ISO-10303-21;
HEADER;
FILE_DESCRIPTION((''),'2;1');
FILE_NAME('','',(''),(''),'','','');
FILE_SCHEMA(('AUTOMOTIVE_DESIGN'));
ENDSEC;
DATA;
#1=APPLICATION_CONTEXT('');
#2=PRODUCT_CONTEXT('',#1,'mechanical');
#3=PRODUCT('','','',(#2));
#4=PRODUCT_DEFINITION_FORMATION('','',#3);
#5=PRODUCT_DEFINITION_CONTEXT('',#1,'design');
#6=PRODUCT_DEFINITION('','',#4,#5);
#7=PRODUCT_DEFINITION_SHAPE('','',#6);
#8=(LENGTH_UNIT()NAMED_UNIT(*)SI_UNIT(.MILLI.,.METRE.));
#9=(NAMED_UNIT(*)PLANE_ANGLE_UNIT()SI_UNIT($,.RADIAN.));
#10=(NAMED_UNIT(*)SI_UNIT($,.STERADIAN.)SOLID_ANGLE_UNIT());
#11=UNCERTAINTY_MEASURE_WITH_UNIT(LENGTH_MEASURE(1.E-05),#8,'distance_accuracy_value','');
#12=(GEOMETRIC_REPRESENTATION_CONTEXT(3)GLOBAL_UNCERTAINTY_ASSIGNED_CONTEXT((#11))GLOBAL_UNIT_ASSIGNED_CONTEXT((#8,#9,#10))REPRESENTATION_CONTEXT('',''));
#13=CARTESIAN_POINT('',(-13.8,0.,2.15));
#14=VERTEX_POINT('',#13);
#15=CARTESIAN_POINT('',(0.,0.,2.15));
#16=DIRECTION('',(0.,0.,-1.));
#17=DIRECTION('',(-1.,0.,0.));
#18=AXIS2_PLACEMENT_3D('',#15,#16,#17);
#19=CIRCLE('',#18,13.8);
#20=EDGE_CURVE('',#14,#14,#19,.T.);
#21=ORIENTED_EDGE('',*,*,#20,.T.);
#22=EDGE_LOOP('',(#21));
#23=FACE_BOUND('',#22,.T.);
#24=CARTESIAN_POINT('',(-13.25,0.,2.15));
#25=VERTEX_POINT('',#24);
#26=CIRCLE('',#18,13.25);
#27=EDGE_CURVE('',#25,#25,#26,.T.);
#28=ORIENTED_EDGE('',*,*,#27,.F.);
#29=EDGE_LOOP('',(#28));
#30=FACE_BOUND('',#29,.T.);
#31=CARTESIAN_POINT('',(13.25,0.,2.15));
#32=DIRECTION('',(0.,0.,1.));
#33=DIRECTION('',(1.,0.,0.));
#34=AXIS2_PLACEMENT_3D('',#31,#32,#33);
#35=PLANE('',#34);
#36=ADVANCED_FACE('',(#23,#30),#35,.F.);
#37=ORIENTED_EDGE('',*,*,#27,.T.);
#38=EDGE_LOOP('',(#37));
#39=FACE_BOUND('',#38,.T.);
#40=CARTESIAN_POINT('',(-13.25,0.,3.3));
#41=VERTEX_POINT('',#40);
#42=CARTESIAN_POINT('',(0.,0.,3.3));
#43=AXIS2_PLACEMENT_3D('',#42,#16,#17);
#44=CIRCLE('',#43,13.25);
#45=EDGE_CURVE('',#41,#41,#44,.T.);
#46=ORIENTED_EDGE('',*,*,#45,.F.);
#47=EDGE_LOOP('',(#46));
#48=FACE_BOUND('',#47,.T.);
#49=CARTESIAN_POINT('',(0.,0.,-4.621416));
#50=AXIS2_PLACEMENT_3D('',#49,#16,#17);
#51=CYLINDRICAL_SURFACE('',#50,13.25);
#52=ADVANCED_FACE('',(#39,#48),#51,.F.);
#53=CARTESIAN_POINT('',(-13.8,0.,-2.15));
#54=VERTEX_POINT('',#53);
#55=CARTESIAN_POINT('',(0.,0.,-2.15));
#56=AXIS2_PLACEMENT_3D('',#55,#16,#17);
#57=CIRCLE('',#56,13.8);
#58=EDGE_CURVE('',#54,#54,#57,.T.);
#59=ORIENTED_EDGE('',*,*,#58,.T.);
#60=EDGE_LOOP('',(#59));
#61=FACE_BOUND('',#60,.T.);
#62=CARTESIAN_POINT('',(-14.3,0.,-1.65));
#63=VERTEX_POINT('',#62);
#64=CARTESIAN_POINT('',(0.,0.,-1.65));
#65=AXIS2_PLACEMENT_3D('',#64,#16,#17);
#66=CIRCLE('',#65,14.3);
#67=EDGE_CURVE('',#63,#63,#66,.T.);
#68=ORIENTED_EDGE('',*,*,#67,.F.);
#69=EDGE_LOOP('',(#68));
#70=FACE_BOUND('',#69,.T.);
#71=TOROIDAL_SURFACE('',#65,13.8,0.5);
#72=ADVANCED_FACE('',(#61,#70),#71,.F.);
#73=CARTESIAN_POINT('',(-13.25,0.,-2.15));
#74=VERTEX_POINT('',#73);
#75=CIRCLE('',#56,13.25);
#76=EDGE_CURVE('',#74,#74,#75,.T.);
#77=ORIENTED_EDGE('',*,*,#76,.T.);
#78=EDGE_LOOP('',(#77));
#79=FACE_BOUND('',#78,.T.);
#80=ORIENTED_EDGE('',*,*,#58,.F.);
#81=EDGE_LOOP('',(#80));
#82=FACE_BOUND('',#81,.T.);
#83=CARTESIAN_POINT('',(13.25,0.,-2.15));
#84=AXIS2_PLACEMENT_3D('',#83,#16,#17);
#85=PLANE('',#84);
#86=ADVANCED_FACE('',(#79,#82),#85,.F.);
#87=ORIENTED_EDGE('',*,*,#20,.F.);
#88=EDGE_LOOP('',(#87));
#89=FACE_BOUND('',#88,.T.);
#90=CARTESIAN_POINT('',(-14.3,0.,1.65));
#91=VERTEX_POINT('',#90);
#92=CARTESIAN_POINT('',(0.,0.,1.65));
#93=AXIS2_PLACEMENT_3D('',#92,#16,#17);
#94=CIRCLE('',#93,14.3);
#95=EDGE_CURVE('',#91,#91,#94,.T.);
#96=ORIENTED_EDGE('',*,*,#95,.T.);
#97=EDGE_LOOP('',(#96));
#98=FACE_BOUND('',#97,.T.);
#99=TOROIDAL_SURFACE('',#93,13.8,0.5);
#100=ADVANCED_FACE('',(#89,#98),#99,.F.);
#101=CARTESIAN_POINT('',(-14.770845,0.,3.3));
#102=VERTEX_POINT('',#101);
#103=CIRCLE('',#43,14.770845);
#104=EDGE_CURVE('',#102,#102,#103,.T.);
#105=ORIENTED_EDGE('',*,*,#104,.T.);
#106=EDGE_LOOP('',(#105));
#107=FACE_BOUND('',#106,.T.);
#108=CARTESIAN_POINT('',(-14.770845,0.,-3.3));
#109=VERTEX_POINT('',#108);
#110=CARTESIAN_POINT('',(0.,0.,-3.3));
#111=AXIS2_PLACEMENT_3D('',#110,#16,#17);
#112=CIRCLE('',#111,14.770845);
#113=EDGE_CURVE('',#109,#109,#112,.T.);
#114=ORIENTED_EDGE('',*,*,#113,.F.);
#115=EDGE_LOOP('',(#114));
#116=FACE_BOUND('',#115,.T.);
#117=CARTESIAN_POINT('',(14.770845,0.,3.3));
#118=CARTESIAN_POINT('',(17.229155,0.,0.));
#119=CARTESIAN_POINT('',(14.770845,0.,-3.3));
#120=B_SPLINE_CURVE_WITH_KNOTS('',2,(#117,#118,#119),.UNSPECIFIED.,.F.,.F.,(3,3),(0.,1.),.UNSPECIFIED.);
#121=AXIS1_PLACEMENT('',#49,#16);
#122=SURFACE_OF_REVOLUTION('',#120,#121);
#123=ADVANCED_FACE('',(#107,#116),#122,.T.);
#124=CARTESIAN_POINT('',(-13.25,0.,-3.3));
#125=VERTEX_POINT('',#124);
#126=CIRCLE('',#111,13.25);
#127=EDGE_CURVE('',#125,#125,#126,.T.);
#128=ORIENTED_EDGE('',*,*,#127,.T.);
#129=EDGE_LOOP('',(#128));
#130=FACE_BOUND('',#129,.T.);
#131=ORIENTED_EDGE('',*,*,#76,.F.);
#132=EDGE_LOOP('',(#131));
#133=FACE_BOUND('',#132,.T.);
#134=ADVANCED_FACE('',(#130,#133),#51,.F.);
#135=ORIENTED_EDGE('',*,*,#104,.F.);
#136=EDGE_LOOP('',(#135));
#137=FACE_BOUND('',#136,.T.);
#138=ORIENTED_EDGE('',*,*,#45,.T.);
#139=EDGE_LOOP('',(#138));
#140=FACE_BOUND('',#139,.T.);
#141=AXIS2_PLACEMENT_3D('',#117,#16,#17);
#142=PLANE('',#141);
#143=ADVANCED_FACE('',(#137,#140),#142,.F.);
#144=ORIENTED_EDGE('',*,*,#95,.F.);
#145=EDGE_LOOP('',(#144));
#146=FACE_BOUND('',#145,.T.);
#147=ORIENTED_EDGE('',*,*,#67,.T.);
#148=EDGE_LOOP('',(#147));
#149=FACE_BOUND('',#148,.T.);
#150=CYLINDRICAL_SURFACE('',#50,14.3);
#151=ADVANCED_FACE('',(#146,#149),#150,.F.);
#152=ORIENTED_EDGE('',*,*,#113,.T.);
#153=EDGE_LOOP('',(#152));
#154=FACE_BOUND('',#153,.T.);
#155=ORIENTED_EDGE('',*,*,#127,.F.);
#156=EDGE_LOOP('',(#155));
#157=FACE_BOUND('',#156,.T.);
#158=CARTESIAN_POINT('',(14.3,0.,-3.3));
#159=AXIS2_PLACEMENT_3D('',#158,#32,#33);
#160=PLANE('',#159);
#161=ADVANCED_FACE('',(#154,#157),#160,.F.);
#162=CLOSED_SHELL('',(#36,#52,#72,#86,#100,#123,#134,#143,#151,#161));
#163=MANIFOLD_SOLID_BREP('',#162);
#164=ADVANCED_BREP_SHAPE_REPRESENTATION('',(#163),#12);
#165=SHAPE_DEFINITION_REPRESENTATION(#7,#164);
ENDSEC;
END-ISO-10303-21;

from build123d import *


with BuildPart() as part:
    # Croquis1 → Revolución1 (revolve)
    with BuildSketch(Plane(origin=(0, 0, 0), x_dir=(1, 0, 0), z_dir=(0, 1, 0))):
        with BuildLine():
            Line((14.3, 1.65), (14.3, -1.65))
            ThreePointArc((14.3, -1.65), (14.153553391, -2.003553391), (13.8, -2.15))
            Line((13.8, -2.15), (13.25, -2.15))
            Line((13.25, -2.15), (13.25, -3.3))
            Line((13.25, -3.3), (14.3, -3.3))
            Line((14.3, -3.3), (14.770844965, -3.3))
            add(Edge.make_bspline(
                [(14.770844965, 3.3), (17.229155035, 0), (14.770844965, -3.3)],
                knots=[0, 0, 0, 1, 1, 1], degree=2))
            Line((14.770844965, 3.3), (14.3, 3.3))
            Line((14.3, 3.3), (13.25, 3.3))
            Line((13.25, 3.3), (13.25, 2.15))
            Line((13.25, 2.15), (13.8, 2.15))
            ThreePointArc((13.8, 2.15), (14.153553391, 2.003553391), (14.3, 1.65))
        make_face()
    revolve(axis=Axis((0, 0, -4.621416215), (0, 0, 1)))


solid = part.part
